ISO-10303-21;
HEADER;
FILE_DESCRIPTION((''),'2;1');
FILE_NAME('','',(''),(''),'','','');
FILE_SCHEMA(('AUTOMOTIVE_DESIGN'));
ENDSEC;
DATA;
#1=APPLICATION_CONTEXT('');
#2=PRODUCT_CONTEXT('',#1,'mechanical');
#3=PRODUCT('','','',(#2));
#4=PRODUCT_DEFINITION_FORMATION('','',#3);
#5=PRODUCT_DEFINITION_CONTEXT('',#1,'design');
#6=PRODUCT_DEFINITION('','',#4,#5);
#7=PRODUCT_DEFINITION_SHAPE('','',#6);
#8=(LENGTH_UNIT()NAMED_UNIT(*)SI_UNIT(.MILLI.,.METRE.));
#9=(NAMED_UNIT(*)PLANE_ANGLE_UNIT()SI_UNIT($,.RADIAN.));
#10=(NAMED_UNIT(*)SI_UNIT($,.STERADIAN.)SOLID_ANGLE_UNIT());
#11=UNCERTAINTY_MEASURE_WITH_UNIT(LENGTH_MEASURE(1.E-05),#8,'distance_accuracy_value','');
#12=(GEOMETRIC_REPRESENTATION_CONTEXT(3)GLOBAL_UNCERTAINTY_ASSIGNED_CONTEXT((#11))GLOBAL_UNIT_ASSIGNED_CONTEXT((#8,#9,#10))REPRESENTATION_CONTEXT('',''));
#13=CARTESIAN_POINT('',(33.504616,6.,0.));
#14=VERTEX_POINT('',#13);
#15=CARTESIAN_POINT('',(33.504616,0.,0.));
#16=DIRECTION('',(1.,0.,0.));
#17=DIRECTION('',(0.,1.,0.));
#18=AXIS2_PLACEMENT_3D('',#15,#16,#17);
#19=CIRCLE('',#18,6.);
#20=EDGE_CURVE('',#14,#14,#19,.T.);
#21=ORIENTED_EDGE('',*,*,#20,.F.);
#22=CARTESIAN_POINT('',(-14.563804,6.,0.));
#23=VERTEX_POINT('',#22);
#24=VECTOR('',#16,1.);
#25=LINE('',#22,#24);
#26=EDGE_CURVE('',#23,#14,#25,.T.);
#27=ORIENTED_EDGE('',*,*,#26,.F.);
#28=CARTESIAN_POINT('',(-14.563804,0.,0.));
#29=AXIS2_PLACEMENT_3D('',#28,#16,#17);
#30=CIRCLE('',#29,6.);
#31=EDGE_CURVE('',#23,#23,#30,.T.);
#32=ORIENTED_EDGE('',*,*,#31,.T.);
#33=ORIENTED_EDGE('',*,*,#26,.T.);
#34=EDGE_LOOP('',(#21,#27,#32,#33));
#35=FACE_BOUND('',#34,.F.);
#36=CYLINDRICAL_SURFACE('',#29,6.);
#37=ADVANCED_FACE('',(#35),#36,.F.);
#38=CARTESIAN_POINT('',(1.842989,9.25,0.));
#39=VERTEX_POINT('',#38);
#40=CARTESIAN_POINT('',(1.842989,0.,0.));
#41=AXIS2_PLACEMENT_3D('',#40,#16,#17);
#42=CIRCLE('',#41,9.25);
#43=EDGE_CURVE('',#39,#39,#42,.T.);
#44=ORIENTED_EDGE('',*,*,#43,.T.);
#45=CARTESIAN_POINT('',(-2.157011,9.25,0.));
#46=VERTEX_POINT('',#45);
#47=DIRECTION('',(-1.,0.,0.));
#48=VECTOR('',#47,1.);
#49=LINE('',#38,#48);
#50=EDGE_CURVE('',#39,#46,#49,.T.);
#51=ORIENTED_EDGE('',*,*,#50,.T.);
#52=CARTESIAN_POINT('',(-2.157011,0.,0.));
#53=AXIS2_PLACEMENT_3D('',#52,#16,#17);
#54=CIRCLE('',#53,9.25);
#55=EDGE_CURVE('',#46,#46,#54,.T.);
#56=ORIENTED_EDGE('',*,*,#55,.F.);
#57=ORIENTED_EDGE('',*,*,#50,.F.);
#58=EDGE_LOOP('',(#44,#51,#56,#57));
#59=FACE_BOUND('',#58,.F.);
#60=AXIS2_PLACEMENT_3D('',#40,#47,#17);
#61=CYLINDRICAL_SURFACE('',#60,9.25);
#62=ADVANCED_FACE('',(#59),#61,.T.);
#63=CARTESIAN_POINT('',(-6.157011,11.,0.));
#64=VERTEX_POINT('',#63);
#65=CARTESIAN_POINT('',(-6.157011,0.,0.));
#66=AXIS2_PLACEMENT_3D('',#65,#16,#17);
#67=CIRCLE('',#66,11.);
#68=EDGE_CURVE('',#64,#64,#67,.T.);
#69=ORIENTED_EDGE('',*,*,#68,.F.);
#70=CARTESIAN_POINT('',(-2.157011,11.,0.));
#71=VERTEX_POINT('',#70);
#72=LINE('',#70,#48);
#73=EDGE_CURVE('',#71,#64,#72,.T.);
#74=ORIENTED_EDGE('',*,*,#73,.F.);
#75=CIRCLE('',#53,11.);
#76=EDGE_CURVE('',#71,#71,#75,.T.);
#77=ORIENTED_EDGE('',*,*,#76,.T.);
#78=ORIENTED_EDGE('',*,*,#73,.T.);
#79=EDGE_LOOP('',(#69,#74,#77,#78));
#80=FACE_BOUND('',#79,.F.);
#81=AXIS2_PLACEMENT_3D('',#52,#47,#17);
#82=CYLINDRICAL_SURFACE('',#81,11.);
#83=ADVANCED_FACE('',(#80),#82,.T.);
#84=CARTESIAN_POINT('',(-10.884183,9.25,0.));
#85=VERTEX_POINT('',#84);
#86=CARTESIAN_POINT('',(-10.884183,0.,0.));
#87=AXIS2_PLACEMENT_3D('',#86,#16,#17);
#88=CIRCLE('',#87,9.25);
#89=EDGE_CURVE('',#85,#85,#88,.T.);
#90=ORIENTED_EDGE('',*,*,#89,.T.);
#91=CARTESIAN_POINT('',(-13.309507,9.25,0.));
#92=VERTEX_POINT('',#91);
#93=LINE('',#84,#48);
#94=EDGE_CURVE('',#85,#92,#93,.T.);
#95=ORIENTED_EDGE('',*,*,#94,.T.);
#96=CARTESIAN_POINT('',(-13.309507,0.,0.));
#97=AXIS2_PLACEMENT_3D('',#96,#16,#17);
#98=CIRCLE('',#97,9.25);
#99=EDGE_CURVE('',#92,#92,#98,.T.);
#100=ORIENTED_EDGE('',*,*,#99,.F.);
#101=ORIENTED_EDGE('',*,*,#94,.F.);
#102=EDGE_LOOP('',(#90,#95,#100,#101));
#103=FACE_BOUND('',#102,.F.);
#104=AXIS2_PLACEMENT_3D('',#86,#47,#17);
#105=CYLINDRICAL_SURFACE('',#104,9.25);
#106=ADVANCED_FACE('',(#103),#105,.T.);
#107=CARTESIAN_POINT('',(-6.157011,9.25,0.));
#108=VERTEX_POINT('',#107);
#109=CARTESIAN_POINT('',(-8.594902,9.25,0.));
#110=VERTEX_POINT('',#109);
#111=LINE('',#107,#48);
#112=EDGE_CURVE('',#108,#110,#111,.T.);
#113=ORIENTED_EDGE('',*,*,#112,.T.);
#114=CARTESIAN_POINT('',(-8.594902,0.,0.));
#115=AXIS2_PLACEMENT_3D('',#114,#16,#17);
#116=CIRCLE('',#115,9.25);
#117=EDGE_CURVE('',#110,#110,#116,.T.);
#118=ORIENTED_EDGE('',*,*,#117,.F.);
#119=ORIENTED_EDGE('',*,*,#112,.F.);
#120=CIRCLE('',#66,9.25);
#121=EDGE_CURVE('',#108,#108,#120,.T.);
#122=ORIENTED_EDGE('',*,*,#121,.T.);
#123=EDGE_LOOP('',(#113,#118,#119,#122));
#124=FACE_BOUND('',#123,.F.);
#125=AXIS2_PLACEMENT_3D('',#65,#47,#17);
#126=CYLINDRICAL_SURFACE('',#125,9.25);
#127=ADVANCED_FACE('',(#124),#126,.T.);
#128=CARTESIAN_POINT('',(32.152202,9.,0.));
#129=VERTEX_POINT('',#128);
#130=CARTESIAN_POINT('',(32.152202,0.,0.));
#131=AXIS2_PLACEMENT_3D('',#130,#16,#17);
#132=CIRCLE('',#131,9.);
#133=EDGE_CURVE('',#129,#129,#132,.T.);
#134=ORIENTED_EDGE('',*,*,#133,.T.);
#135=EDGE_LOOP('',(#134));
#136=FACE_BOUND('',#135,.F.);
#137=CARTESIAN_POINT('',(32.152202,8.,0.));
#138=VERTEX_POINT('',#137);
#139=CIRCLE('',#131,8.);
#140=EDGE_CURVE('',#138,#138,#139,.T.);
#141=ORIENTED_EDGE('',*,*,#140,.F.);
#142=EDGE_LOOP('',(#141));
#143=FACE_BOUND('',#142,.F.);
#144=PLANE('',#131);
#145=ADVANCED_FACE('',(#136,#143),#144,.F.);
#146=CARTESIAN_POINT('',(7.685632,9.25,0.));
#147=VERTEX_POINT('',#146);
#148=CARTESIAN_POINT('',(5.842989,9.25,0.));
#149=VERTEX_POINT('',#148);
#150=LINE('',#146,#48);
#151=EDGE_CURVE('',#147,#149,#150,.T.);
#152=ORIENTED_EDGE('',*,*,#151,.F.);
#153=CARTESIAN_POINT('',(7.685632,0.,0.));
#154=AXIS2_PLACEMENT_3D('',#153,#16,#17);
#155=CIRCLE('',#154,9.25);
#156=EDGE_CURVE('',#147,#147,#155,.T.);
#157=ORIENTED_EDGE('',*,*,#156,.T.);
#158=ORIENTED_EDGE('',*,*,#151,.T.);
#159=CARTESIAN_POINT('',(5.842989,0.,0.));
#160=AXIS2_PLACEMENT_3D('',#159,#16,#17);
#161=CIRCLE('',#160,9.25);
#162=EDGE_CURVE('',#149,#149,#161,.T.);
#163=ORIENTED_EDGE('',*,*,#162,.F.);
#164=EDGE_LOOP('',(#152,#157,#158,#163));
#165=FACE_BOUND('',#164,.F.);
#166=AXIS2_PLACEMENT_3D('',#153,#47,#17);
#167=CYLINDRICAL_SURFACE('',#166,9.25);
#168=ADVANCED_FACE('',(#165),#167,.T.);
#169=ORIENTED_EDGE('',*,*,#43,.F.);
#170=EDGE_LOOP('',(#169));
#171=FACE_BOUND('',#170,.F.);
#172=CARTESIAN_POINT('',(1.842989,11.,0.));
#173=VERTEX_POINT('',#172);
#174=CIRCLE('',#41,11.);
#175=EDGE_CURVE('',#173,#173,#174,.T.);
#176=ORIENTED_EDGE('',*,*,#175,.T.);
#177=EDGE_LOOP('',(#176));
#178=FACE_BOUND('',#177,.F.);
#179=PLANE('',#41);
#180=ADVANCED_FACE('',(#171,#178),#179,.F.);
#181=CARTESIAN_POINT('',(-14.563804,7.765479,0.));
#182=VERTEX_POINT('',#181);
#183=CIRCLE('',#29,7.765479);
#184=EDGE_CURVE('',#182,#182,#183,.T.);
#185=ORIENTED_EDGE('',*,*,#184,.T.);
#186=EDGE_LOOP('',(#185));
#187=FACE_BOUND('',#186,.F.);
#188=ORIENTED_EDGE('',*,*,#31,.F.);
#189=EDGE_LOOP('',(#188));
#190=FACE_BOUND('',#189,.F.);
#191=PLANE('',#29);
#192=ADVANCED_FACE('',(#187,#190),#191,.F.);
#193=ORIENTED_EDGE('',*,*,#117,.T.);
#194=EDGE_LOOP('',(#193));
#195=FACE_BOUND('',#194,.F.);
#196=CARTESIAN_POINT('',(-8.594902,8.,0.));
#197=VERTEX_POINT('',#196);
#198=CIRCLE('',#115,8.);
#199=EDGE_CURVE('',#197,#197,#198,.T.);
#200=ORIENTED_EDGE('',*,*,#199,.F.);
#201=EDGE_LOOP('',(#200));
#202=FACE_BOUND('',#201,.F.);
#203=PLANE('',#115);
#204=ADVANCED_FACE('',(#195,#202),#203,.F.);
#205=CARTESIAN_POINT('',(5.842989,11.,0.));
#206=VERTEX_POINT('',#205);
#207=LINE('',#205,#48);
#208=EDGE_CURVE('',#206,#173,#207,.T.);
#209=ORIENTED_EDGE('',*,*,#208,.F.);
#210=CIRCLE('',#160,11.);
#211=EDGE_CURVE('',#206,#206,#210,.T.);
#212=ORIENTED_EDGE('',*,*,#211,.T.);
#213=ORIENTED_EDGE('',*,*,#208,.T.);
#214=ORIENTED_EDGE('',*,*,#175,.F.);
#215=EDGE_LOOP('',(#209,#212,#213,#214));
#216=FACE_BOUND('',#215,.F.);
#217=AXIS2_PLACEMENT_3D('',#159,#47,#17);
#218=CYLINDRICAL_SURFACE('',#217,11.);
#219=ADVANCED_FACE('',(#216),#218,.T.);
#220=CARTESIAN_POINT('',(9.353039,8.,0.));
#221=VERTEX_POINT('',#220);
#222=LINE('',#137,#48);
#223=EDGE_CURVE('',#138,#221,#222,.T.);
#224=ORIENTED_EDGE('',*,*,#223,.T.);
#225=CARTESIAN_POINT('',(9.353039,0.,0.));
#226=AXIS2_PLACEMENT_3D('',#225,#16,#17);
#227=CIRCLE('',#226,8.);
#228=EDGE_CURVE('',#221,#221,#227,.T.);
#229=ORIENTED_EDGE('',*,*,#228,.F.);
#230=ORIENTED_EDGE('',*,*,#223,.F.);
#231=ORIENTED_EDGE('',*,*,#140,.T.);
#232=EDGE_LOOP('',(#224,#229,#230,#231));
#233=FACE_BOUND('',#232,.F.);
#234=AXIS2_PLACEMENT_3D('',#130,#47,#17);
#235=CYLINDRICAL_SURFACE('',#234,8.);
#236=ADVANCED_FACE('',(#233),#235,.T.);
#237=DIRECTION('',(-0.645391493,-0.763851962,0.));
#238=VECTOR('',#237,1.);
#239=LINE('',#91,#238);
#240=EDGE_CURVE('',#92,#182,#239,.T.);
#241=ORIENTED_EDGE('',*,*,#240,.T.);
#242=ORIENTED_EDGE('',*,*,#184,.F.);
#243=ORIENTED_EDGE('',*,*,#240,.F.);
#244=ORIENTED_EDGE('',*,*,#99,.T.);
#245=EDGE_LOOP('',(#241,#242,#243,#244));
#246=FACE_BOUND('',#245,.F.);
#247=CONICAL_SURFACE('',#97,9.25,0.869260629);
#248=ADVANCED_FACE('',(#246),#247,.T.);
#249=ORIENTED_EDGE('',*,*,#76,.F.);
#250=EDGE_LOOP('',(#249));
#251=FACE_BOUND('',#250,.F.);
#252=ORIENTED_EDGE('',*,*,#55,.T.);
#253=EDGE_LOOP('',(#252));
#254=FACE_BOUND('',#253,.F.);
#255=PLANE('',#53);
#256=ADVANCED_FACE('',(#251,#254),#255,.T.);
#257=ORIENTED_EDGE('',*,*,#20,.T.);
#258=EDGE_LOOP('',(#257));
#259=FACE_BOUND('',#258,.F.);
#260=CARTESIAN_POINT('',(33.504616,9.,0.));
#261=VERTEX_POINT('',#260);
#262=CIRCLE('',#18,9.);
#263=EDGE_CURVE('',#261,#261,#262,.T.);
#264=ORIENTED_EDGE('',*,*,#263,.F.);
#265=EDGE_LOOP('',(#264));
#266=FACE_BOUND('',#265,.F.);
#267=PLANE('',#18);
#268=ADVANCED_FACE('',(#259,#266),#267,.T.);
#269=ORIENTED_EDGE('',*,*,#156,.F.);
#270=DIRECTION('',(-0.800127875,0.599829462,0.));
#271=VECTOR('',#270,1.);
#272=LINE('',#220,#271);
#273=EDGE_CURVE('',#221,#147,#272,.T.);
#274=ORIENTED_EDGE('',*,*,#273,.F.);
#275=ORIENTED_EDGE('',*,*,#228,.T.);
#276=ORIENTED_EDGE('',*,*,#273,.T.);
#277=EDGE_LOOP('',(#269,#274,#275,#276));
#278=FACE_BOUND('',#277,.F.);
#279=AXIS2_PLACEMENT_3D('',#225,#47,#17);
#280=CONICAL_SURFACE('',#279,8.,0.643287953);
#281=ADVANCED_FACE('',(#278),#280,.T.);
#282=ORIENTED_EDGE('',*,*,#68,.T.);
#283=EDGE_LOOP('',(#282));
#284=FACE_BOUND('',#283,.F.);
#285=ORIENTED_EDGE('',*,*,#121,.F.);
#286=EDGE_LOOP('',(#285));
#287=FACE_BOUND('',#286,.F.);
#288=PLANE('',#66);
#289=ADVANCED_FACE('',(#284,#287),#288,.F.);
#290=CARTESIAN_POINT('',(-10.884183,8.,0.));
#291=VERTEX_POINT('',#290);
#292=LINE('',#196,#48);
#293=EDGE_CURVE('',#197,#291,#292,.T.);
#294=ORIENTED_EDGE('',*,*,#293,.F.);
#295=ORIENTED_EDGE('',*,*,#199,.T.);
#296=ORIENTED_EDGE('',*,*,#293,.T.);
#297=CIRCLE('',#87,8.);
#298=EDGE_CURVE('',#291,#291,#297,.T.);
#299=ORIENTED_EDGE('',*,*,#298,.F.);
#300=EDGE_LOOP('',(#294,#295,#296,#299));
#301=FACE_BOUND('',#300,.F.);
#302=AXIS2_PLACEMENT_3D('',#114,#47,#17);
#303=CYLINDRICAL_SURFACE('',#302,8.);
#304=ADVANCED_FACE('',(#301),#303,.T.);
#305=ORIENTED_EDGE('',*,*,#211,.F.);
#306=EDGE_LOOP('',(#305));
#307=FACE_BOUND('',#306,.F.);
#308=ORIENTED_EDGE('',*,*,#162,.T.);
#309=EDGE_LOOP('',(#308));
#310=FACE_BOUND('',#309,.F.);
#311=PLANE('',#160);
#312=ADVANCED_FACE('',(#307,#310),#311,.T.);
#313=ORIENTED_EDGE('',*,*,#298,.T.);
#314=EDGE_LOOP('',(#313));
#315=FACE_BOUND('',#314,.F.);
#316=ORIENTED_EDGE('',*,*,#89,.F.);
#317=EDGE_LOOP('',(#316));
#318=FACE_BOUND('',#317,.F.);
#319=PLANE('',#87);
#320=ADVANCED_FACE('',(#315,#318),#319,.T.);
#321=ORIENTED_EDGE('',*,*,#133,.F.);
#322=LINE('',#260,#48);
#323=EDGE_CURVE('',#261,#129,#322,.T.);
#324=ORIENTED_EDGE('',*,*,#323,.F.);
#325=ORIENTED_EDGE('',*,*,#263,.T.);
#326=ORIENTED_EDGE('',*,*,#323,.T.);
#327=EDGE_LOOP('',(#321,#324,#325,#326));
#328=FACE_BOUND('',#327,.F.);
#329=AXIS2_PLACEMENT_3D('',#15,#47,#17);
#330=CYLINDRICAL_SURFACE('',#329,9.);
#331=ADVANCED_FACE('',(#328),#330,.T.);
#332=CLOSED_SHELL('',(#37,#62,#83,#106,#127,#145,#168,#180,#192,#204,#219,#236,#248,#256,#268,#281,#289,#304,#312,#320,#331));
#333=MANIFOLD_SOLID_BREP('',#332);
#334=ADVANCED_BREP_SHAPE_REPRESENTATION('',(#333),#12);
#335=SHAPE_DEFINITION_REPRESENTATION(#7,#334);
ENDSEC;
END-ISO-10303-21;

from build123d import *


with BuildPart() as f2:
    # F1 (on Top) → F2 (revolve)
    with BuildSketch(Plane.XY):
        Polygon((-2.157011, 11), (-6.157011, 11), (-6.157011, 9.25), (-8.594902, 9.25), (-8.594902, 8), (-10.884183, 8), (-10.884183, 9.25), (-13.309507, 9.25), (-14.563804, 7.765479), (-14.563804, 6), (33.504616, 6), (33.504616, 9), (32.152202, 9), (32.152202, 8), (9.353039, 8), (7.685632, 9.25), (5.842989, 9.25), (5.842989, 11), (1.842989, 11), (1.842989, 9.25), (-2.157011, 9.25), align=None)
    revolve(axis=Axis((26.619639, 0, 0), (1, 0, 0)))


solid = f2.part
